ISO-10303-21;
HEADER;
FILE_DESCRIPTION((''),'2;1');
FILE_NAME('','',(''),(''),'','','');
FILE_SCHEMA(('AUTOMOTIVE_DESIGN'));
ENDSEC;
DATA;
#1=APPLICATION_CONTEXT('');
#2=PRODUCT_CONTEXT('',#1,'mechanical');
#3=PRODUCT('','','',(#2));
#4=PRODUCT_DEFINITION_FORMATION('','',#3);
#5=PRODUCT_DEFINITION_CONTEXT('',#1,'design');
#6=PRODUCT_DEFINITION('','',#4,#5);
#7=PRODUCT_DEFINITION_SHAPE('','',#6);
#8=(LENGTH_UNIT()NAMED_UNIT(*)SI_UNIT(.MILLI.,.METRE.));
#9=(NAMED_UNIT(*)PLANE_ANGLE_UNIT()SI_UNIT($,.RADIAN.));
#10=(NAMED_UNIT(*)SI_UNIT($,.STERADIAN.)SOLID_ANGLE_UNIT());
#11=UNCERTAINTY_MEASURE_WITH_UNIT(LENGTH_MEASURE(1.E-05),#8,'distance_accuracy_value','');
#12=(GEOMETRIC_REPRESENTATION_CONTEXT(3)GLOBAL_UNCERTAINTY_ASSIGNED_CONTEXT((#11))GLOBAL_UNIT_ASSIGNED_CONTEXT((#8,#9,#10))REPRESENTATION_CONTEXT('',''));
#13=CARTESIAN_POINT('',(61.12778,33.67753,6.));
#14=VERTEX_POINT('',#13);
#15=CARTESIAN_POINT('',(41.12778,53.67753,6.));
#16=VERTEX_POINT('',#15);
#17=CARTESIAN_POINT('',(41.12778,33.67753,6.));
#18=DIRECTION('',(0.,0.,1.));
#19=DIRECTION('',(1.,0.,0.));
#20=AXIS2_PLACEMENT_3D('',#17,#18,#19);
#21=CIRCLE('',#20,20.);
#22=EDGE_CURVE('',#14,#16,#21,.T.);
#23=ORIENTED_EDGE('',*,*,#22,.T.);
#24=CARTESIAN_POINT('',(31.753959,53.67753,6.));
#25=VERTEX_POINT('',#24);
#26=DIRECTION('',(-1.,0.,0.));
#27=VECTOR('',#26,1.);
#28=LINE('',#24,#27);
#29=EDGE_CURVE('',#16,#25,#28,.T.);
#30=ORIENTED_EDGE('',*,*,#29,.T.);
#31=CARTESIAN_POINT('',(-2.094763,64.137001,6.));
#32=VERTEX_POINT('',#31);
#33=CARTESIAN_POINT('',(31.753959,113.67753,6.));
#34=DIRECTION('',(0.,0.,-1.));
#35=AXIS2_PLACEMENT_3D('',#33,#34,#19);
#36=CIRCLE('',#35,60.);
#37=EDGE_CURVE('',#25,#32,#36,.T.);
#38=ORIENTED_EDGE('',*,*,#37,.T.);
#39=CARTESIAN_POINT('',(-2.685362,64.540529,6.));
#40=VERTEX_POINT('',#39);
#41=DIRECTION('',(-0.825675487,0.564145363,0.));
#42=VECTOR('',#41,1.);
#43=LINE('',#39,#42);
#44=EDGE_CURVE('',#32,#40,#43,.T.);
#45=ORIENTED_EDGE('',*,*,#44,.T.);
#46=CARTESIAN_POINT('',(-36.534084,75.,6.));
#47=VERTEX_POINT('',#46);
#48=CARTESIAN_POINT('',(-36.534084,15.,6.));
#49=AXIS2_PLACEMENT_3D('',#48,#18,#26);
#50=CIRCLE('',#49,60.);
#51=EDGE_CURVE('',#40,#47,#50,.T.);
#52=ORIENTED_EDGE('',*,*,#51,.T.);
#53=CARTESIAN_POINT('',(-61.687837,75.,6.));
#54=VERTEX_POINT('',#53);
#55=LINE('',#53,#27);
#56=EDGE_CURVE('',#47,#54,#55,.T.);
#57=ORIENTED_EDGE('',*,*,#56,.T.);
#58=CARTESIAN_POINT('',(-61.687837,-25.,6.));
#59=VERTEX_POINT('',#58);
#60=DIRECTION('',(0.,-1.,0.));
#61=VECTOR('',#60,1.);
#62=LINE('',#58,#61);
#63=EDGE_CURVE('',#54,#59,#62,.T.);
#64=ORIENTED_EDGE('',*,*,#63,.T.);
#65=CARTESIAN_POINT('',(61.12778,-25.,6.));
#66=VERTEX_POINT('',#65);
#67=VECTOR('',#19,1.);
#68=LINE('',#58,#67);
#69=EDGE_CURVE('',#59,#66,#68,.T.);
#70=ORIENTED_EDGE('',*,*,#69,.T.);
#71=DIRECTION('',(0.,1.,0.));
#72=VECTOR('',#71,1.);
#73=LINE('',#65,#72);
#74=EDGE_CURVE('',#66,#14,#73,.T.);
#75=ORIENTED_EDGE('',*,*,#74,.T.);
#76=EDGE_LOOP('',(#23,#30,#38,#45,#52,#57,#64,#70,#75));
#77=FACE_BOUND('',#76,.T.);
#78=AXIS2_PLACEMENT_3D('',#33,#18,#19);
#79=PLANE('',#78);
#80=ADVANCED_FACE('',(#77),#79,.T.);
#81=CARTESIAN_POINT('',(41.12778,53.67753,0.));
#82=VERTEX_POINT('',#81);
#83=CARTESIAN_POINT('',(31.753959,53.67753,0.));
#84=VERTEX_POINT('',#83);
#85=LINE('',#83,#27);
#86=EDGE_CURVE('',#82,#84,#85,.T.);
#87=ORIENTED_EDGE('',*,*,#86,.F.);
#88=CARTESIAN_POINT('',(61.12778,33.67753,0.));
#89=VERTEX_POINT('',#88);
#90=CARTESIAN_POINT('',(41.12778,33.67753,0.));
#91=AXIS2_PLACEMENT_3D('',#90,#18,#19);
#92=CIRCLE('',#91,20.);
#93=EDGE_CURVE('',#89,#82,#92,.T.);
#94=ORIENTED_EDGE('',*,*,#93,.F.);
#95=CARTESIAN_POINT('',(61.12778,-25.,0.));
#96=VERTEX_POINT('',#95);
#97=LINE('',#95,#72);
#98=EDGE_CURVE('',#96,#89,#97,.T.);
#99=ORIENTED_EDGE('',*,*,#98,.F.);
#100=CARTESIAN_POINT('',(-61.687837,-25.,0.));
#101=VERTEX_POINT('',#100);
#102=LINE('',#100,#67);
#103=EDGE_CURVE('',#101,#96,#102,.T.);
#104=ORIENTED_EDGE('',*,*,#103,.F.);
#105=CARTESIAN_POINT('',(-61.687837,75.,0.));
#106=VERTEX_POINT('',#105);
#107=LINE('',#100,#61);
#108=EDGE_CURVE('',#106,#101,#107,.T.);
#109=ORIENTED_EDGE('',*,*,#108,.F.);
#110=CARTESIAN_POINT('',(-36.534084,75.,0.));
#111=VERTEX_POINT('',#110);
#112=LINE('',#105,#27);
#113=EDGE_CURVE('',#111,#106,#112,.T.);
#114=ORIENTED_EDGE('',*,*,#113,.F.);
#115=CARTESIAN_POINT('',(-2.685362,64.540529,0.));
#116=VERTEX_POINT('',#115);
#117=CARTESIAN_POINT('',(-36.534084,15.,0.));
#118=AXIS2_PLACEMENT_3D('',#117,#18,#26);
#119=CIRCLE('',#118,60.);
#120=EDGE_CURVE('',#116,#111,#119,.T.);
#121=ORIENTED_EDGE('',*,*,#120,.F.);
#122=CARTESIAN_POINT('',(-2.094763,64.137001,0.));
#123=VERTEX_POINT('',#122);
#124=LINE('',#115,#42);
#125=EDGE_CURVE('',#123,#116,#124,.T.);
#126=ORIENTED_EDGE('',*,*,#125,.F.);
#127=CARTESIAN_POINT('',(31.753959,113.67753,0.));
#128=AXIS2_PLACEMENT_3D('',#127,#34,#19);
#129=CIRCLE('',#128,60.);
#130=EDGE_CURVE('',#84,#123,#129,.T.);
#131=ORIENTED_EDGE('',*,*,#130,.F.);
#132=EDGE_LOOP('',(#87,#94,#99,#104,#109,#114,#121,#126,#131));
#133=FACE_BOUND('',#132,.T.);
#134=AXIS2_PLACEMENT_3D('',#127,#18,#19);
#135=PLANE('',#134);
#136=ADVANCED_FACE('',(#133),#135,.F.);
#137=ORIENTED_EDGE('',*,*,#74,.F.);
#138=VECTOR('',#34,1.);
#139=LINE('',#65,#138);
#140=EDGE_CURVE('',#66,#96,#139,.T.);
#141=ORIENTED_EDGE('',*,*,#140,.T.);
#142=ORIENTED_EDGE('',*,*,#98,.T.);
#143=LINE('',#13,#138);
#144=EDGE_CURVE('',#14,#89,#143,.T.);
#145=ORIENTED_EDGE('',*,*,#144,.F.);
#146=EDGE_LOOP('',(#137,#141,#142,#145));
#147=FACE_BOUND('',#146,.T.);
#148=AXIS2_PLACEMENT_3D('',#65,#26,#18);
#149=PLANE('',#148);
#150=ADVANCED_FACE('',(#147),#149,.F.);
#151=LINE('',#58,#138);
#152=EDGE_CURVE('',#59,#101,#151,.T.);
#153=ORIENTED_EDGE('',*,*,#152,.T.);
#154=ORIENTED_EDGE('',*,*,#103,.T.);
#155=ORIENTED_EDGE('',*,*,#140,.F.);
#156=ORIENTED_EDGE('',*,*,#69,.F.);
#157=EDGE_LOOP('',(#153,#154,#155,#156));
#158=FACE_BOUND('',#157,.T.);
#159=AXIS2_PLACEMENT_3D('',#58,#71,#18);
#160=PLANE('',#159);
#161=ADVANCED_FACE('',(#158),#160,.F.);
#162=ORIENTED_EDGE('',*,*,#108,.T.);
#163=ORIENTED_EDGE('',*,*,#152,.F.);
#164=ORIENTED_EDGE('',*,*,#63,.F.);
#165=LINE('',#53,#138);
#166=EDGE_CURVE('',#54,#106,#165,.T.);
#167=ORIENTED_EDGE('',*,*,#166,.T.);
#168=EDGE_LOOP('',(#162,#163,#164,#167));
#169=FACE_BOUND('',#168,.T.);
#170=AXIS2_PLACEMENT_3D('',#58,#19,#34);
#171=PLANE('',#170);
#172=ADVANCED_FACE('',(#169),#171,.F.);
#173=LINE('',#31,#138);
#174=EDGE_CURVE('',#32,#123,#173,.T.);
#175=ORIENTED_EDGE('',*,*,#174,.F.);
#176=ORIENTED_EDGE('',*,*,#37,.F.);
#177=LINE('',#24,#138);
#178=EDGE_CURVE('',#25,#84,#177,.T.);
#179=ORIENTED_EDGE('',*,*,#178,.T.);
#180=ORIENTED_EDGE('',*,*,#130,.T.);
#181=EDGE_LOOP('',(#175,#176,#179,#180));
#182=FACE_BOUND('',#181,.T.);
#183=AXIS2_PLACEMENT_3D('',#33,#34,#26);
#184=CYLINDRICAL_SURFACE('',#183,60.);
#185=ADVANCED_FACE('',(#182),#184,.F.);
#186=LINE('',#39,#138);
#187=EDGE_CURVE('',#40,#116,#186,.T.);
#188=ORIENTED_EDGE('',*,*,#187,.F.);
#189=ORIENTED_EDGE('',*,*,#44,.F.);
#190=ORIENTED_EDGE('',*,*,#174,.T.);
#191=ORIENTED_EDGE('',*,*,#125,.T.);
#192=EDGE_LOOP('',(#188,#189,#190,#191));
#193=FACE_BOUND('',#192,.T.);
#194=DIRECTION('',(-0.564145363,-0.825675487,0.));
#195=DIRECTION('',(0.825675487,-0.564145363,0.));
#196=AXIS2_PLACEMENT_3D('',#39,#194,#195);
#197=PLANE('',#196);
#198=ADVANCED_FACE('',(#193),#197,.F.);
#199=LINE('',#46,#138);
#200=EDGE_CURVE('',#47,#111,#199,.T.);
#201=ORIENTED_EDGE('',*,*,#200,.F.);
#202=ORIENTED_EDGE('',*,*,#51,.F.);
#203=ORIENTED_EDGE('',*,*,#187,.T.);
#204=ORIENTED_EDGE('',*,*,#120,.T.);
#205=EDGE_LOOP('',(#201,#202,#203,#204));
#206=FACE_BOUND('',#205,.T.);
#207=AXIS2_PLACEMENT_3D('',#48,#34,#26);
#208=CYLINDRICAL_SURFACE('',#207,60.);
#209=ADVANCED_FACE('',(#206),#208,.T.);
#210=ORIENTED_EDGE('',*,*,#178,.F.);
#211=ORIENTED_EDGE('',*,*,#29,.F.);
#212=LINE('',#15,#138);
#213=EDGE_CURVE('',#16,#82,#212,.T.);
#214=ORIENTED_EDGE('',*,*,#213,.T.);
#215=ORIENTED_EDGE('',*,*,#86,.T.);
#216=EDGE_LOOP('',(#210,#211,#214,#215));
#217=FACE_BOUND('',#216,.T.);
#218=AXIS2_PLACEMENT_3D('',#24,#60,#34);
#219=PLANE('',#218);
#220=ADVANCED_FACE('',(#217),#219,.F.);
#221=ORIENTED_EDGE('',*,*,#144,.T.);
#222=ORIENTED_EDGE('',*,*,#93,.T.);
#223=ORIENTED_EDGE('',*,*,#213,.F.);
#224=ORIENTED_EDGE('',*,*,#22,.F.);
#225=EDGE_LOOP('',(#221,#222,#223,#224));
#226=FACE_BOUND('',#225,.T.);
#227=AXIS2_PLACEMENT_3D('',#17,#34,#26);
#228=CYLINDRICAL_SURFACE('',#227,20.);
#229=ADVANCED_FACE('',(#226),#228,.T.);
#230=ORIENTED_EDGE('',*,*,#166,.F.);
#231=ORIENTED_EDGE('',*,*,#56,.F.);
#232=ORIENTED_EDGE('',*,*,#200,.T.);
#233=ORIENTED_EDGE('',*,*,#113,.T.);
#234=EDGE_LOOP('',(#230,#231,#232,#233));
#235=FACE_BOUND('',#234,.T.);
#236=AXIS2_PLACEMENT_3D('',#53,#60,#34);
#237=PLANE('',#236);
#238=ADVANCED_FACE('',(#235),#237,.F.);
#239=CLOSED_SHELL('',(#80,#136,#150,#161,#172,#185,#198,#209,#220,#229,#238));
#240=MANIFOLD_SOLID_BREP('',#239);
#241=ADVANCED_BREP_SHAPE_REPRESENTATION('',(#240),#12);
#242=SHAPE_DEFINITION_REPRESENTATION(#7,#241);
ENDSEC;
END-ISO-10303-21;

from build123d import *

# Parameters (mm, degrees)
SALIENTE_EXTRUIR1_DEPTH = 6


with BuildPart() as part:
    # Croquis1 → Saliente-Extruir1 (new body)
    with BuildSketch(Plane.XY):
        with BuildLine():
            Line((-61.687836697, -25), (61.127779513, -25))
            Line((61.127779513, -25), (61.127779513, 33.677530069))
            ThreePointArc((61.127779513, 33.677530069), (55.269915137, 47.819665693), (41.127779513, 53.677530069))
            Line((41.127779513, 53.677530069), (31.753958615, 53.677530069))
            ThreePointArc((31.753958615, 53.677530069), (14.040005801, 56.352004553), (-2.094763185, 64.137000878))
            Line((-2.094763185, 64.137000878), (-2.685361739, 64.540529191))
            ThreePointArc((-2.685361739, 64.540529191), (-18.820130726, 72.325525516), (-36.534083539, 75))
            Line((-36.534083539, 75), (-61.687836697, 75))
            Line((-61.687836697, 75), (-61.687836697, -25))
        make_face()
    extrude(amount=SALIENTE_EXTRUIR1_DEPTH)


solid = part.part
